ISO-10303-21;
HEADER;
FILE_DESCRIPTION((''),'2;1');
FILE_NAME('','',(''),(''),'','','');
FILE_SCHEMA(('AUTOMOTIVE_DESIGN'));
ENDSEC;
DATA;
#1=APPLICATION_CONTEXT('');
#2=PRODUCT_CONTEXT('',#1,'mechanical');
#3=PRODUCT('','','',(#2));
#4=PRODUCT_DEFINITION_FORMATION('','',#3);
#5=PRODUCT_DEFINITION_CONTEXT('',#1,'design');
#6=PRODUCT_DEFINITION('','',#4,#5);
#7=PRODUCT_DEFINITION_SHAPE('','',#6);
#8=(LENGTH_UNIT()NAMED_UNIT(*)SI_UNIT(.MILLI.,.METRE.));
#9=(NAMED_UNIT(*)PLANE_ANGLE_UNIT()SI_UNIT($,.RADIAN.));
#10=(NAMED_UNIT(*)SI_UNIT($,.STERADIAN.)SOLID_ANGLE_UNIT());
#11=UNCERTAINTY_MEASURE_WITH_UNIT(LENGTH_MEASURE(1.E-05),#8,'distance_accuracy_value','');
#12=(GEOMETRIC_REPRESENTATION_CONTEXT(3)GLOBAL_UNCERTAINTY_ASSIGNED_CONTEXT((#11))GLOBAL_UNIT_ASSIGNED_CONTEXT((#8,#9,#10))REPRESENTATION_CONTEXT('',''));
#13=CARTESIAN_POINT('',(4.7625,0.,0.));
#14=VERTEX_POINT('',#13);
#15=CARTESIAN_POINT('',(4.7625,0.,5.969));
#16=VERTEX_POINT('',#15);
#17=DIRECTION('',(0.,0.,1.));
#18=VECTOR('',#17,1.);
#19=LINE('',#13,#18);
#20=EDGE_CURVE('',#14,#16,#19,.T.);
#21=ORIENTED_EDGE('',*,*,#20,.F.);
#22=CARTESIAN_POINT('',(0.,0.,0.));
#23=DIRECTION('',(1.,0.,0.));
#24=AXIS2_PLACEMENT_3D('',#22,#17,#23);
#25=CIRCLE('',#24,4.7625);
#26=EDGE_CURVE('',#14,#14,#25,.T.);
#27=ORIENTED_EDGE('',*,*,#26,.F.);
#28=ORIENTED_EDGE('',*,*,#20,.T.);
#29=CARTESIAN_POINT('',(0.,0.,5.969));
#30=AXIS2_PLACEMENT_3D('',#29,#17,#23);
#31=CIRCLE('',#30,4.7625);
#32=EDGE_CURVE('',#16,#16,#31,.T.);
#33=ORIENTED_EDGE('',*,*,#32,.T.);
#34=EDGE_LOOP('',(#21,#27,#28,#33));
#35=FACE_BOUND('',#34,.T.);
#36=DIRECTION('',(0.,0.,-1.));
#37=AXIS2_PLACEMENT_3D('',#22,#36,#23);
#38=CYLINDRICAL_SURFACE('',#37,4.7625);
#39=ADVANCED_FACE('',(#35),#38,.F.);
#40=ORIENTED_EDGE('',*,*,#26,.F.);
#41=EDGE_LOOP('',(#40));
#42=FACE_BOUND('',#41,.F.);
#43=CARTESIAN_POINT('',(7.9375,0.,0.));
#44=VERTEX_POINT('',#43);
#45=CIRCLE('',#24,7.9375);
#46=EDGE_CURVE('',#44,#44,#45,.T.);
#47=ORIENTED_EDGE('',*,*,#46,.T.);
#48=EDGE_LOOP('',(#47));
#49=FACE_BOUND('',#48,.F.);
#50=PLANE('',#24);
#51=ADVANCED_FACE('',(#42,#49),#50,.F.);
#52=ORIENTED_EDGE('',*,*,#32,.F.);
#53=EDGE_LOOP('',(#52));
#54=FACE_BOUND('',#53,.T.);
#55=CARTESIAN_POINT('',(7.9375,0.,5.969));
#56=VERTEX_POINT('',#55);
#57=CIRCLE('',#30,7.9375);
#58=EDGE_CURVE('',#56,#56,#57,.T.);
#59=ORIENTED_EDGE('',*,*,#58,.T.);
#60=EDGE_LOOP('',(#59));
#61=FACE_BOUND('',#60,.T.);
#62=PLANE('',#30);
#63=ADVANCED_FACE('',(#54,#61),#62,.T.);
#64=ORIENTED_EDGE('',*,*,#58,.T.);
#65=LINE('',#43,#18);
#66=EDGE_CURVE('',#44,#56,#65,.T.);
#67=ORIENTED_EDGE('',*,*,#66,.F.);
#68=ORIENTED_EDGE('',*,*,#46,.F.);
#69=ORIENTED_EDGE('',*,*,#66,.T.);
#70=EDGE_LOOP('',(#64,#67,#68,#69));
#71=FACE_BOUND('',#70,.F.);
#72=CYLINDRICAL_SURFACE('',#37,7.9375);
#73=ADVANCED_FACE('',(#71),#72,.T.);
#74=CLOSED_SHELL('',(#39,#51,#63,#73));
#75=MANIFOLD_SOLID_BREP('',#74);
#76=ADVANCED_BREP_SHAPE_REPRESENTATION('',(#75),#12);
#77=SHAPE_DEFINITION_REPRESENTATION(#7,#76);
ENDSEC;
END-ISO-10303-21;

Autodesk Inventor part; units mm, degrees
ref_plane "YZ Plane" through (0, 0, 0) normal (1, 0, 0) x (0, 1, 0)
ref_plane "XZ Plane" through (0, 0, 0) normal (0, 1, 0) x (-1, 0, 0)
ref_plane "XY Plane" through (0, 0, 0) normal (0, 0, 1) x (1, 0, 0)
sketch "Sketch1" plane through (0, 0, 0) normal (0, 0, 1) x (1, 0, 0)
  circle A0 centre (0, 0) radius 4.7625
  circle A1 centre (0, 0) radius 7.9375
  dimension "d0" = 9.525
  dimension "d1" = 3.175
extrude "Extrusion1" add sketch "Sketch1" along normal blind 5.969
properties part number "spacer" material "PVC-Piping"
